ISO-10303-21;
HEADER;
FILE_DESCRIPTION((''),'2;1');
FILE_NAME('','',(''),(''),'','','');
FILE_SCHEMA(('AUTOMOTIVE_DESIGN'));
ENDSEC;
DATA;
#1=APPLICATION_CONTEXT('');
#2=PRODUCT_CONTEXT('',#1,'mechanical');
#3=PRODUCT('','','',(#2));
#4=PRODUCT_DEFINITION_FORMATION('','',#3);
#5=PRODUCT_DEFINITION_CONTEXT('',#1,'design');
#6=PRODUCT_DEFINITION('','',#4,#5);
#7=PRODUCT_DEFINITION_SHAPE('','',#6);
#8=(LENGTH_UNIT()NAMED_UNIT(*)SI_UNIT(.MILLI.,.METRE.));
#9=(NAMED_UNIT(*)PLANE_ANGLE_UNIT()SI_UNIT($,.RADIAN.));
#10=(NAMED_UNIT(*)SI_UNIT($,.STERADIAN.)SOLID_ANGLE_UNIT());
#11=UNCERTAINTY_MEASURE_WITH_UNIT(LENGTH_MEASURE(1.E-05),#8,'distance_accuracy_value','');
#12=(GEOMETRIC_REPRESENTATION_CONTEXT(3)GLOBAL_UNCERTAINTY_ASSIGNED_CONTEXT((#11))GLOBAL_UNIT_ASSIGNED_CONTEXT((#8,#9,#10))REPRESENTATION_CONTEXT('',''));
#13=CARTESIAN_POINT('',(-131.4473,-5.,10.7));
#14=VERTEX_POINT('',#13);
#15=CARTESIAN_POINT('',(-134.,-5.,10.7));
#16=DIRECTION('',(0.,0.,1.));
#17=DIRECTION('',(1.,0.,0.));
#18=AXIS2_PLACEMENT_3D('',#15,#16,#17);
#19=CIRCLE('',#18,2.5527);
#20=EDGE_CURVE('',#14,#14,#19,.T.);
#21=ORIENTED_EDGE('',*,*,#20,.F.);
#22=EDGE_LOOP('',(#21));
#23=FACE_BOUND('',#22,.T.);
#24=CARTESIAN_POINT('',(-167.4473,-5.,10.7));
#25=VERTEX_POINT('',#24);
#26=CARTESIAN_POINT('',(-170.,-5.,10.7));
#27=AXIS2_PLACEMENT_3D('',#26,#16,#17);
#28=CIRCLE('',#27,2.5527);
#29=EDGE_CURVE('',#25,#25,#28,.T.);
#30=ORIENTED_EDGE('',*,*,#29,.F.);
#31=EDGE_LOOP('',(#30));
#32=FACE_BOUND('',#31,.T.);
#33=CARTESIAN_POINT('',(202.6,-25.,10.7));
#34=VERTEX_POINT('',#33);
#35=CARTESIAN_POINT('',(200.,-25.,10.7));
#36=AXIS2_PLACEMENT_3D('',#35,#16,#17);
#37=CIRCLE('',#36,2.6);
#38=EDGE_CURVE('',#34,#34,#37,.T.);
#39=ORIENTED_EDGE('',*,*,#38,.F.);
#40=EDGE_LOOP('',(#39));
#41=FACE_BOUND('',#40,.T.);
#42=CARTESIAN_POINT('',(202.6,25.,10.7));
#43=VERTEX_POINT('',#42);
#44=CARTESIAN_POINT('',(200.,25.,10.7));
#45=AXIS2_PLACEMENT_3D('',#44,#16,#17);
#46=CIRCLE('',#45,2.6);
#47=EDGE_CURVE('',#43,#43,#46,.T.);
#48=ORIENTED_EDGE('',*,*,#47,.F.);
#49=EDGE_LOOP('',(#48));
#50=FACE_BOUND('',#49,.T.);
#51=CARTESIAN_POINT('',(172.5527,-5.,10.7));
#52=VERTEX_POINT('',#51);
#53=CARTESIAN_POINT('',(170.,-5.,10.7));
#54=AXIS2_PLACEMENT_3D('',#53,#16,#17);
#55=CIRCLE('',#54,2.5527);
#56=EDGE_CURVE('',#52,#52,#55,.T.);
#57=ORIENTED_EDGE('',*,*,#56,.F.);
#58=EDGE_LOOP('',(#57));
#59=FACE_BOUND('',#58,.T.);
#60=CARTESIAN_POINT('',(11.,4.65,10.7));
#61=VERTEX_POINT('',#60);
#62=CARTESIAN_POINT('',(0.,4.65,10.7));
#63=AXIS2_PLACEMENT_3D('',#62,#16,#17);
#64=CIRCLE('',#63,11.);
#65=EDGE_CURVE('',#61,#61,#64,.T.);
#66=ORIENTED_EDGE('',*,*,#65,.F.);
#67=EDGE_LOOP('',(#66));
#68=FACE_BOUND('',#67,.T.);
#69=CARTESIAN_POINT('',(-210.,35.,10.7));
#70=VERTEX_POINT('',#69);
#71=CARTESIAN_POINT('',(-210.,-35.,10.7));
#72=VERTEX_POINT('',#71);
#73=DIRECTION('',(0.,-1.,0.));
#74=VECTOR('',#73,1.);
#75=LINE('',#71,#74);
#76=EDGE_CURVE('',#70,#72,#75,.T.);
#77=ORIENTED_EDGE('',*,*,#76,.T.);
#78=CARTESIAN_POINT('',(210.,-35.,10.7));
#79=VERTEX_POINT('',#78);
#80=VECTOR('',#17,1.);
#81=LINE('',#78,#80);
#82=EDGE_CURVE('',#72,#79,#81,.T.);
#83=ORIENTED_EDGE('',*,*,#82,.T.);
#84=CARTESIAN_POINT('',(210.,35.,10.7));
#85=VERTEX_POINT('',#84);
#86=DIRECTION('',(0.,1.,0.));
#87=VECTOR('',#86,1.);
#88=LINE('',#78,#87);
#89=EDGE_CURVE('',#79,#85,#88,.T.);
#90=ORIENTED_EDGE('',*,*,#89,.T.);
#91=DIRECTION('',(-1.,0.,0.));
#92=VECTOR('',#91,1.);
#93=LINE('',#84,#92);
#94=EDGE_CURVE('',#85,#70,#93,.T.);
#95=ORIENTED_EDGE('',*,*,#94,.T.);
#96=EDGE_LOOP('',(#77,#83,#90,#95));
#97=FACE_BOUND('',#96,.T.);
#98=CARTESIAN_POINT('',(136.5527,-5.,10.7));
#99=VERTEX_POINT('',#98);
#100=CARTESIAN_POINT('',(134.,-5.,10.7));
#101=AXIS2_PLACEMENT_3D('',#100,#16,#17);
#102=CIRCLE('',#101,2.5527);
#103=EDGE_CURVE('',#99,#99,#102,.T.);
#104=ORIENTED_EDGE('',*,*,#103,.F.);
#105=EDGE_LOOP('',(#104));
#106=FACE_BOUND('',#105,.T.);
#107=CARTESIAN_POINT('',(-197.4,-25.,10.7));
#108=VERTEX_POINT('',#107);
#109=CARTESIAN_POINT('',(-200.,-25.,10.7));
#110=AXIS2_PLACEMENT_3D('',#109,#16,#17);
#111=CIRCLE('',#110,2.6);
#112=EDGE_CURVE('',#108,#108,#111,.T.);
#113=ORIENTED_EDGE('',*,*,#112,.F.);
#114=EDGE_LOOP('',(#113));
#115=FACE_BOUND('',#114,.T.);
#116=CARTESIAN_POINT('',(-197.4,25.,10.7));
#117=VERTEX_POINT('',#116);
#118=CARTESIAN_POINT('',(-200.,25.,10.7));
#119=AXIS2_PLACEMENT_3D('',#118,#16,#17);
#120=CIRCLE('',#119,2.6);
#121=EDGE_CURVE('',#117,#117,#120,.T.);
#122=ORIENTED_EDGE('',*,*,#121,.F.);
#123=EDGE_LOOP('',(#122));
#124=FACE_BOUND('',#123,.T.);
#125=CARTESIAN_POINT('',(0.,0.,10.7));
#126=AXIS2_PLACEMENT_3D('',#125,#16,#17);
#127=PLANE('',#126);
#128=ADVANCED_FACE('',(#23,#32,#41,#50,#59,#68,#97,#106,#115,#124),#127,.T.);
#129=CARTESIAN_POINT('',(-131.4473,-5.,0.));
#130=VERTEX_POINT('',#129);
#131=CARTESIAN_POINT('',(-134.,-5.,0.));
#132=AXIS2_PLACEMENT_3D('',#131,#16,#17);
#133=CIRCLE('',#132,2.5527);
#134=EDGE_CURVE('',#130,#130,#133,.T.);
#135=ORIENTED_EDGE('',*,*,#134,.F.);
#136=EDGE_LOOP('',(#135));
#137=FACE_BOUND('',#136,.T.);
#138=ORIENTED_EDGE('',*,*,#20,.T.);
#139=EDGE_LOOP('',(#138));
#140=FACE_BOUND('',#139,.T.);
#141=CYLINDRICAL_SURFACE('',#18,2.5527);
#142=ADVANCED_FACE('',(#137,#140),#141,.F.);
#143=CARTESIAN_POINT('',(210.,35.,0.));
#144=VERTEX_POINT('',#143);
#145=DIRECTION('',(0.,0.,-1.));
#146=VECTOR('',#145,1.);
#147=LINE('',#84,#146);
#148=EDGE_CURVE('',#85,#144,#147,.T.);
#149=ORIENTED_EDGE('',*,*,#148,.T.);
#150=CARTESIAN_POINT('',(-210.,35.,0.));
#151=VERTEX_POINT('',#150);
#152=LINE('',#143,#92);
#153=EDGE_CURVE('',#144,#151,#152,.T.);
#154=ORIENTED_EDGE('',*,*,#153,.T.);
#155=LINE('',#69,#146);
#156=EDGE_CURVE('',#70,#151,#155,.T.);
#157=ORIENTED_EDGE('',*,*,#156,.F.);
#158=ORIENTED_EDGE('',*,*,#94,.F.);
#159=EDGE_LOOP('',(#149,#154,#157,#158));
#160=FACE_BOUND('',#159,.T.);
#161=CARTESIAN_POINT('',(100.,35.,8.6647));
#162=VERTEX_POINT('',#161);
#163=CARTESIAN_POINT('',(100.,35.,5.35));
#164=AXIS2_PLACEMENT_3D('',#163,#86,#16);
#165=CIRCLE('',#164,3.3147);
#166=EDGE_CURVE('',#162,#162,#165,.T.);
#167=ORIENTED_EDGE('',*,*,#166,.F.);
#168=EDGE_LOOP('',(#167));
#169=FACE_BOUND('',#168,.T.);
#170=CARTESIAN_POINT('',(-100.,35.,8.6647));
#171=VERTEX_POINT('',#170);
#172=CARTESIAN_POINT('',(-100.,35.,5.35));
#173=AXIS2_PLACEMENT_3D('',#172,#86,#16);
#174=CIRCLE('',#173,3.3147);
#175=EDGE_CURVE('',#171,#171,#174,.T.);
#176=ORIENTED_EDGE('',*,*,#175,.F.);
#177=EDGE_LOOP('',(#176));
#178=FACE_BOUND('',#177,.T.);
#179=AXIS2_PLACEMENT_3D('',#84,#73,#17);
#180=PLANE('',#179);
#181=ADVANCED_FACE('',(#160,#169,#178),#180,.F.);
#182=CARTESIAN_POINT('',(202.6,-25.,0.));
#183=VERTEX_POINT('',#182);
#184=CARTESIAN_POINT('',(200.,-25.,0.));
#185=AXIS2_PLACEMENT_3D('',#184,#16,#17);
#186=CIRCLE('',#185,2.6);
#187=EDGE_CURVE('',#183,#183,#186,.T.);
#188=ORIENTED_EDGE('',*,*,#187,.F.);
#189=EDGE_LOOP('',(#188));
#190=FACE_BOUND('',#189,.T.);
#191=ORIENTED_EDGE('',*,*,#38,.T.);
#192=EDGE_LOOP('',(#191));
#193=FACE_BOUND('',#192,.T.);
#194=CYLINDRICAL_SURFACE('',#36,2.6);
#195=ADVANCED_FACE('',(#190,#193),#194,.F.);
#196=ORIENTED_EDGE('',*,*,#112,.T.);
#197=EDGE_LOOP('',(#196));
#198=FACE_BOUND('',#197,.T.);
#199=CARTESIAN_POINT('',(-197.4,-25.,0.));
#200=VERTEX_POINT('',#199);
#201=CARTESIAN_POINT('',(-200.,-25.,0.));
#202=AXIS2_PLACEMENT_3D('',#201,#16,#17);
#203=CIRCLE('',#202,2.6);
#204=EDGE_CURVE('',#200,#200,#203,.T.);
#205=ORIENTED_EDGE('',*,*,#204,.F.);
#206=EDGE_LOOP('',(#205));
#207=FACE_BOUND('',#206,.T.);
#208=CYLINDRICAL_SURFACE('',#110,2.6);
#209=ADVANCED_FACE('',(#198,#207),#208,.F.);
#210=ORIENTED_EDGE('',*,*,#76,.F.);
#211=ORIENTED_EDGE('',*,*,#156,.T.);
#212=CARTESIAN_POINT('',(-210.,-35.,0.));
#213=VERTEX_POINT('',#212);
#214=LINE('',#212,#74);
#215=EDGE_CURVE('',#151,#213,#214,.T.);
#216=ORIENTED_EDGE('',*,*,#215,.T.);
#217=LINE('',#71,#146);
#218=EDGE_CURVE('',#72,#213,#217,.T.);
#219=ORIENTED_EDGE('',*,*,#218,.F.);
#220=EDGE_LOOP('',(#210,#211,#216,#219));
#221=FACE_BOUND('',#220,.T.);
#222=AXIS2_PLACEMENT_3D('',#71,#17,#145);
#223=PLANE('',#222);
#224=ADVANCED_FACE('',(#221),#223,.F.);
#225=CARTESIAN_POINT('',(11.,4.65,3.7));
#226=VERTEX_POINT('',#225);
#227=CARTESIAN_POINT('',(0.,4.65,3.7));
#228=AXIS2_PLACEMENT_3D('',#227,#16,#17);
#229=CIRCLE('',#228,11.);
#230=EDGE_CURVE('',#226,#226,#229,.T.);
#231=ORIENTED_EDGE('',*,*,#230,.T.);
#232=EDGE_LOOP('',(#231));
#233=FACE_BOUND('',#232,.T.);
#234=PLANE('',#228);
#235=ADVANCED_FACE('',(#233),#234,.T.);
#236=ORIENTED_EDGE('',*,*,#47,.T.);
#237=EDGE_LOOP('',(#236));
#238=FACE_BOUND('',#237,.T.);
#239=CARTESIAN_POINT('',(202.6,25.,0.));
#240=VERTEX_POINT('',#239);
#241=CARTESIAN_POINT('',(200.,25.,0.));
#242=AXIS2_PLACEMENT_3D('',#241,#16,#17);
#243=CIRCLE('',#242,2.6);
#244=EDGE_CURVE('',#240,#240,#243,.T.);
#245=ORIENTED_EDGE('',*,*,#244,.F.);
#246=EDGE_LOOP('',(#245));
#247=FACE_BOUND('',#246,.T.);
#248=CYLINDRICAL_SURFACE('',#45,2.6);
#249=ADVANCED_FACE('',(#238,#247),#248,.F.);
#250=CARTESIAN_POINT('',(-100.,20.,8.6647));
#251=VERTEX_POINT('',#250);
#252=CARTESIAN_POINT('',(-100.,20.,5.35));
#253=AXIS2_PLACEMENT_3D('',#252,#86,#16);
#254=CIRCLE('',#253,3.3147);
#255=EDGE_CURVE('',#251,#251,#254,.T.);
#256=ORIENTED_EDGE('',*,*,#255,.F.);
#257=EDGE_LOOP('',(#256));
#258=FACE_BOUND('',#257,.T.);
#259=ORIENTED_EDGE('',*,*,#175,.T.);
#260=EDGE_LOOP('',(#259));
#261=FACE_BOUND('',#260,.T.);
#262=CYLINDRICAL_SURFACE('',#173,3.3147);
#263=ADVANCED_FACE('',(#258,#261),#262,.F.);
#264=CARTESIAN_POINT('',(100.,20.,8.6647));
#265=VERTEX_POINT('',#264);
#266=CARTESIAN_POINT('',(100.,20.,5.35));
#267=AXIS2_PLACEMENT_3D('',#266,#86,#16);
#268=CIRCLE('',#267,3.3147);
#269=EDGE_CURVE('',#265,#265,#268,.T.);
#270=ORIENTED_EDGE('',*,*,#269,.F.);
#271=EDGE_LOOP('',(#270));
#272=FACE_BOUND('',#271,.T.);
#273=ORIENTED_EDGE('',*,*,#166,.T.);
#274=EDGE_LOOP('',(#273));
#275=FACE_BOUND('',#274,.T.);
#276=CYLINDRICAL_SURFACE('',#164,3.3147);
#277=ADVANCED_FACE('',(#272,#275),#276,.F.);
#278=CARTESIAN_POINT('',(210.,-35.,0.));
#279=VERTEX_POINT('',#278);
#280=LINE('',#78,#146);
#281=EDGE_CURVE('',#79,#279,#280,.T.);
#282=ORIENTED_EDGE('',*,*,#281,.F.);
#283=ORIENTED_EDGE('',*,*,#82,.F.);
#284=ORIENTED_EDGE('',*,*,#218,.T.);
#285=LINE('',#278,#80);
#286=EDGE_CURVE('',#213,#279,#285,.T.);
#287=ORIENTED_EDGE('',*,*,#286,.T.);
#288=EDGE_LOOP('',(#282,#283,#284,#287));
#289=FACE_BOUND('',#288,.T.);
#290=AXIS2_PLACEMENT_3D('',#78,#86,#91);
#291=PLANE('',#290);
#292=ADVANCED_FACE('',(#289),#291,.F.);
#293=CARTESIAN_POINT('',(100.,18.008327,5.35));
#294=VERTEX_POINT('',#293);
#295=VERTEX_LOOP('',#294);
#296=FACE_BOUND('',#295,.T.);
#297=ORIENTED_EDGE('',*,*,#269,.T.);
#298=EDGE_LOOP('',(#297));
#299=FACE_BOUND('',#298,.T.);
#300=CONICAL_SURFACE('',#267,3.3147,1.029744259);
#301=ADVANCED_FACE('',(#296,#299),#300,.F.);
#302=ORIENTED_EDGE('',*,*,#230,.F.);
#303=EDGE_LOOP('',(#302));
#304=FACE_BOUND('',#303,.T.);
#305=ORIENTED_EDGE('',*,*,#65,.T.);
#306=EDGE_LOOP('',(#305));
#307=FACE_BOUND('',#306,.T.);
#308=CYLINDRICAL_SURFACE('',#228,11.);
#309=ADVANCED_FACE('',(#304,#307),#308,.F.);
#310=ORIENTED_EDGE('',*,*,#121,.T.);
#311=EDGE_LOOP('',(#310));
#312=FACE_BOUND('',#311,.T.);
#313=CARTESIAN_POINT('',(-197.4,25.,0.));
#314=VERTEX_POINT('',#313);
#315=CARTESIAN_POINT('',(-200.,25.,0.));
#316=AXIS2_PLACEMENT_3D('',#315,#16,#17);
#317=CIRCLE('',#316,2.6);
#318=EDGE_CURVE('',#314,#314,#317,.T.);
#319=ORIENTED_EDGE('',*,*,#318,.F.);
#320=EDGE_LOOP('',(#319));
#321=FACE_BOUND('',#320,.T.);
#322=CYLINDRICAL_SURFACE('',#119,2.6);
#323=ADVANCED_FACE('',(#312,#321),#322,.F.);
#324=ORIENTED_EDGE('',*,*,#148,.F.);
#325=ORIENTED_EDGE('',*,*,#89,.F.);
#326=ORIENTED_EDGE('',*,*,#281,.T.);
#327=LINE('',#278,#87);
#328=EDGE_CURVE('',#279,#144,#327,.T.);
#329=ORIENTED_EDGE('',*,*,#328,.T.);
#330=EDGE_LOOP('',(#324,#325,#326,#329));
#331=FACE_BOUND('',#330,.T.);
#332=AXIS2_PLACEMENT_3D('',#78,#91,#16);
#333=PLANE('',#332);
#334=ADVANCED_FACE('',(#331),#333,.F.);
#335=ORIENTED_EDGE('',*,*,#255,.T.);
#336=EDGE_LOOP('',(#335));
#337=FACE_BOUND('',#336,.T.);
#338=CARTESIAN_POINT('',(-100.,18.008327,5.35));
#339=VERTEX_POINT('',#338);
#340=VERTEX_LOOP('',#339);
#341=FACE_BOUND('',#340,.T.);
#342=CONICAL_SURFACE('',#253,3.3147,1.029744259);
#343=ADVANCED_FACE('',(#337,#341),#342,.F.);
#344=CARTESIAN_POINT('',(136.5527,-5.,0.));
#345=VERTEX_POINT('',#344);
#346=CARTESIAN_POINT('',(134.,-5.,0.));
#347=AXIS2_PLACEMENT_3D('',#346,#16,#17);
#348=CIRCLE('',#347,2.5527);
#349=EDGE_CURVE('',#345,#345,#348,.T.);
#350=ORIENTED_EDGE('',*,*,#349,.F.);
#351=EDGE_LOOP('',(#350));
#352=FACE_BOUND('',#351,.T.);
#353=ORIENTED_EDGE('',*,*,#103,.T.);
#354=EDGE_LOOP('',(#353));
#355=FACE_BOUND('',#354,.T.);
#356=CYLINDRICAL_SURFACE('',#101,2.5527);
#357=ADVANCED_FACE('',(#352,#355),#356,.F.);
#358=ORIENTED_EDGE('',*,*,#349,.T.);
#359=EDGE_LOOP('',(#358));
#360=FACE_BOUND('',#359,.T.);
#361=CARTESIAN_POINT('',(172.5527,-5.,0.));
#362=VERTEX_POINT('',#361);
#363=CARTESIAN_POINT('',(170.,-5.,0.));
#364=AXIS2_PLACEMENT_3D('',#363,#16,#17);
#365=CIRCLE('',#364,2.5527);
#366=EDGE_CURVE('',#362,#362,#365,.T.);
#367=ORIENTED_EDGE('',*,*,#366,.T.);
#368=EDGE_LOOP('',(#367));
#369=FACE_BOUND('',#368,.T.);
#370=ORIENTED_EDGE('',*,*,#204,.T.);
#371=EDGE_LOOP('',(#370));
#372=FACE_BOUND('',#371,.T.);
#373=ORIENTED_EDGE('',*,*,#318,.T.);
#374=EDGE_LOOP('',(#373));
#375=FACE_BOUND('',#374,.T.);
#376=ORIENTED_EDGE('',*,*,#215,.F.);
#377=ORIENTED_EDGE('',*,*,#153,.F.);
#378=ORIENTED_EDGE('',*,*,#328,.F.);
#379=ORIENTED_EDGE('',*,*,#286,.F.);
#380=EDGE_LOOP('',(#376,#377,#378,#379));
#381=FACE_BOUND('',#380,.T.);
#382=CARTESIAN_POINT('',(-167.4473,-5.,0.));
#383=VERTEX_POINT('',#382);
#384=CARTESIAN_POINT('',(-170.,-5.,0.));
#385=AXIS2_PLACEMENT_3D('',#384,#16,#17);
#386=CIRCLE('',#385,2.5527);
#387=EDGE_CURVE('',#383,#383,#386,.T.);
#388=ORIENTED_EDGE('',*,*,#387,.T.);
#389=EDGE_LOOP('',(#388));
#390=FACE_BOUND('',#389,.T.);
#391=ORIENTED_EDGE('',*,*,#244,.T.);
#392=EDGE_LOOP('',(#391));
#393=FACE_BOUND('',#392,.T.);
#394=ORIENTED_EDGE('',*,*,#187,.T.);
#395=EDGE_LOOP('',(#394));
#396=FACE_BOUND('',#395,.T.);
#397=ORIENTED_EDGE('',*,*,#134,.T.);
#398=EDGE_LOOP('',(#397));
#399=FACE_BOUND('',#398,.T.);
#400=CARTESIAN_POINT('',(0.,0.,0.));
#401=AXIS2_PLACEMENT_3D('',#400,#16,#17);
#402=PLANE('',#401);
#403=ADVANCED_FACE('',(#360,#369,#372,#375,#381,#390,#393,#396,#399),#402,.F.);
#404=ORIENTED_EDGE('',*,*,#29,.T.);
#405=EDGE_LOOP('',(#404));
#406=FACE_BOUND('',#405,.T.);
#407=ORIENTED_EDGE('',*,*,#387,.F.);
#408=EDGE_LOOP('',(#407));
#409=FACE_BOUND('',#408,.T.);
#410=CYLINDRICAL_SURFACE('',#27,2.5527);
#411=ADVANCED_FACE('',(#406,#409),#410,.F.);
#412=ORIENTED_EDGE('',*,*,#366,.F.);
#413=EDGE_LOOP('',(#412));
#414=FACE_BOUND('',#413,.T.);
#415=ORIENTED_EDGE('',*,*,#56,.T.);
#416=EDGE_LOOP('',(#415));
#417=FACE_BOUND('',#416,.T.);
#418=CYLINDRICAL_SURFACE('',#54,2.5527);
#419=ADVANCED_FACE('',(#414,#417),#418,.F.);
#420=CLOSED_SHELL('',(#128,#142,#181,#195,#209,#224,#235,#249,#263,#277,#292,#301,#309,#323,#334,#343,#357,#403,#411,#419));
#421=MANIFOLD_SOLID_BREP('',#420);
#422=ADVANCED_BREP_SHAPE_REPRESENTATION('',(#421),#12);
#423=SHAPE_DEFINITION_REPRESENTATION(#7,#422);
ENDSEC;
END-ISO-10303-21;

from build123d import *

# Parameters (mm, degrees)
ESBO_O1_W                                   = 420
ESBO_O1_H                                   = 70
RESSALTO_EXTRUS_O1_DEPTH                    = 10.7
ESBO_O5_R                                   = 11
CORTE_EXTRUS_O4_DEPTH                       = 7
FURO_ROSCADO_PARA_CONDU_TE_DE_10_321_D      = 5.1054
FURO_ROSCADO_PARA_CONDU_TE_DE_M5X0_81_D     = 5.2
FURO_ROSCADO_PARA_CONDU_TE_DE_1_4_281_D     = 6.6294
FURO_ROSCADO_PARA_CONDU_TE_DE_1_4_281_DEPTH = 15
FURO_ROSCADO_PARA_CONDU_TE_DE_1_4_281_TIP   = 1.991672694


with BuildPart() as part:
    # Esboço1 → Ressalto-extrusão1 (new body)
    with BuildSketch(Plane.XY):
        Rectangle(ESBO_O1_W, ESBO_O1_H)
    extrude(amount=RESSALTO_EXTRUS_O1_DEPTH)

    # Esboço5 → Corte-extrusão4 (cut)
    with BuildSketch(Plane.XY.offset(10.7)):
        with Locations((0, 4.65)):
            Circle(ESBO_O5_R)
    extrude(amount=-CORTE_EXTRUS_O4_DEPTH, mode=Mode.SUBTRACT)

    # Furo roscado para conduíte de #10-321 (through all)
    with Locations(Plane.XY.offset(10.7)):
        with Locations((-170, -5), (-134, -5), (134, -5), (170, -5)):
            Hole(FURO_ROSCADO_PARA_CONDU_TE_DE_10_321_D / 2)

    # Furo roscado para conduíte de M5x0.81 (through all)
    with Locations(Plane.XY.offset(10.7)):
        with Locations((-200, 25), (-200, -25), (200, -25), (200, 25)):
            Hole(FURO_ROSCADO_PARA_CONDU_TE_DE_M5X0_81_D / 2)

    # Furo roscado para conduíte de 1/4-281
    with Locations(Plane(origin=(0, 35, 0), x_dir=(1, 0, 0), z_dir=(0, 1, 0))):
        with Locations((-100, -5.35), (100, -5.35)):
            Hole(FURO_ROSCADO_PARA_CONDU_TE_DE_1_4_281_D / 2, depth=FURO_ROSCADO_PARA_CONDU_TE_DE_1_4_281_DEPTH)
            with Locations((0, 0, -(FURO_ROSCADO_PARA_CONDU_TE_DE_1_4_281_DEPTH + FURO_ROSCADO_PARA_CONDU_TE_DE_1_4_281_TIP / 2))):  # 118° drill point
                Cone(0, FURO_ROSCADO_PARA_CONDU_TE_DE_1_4_281_D / 2, FURO_ROSCADO_PARA_CONDU_TE_DE_1_4_281_TIP, mode=Mode.SUBTRACT)


solid = part.part
